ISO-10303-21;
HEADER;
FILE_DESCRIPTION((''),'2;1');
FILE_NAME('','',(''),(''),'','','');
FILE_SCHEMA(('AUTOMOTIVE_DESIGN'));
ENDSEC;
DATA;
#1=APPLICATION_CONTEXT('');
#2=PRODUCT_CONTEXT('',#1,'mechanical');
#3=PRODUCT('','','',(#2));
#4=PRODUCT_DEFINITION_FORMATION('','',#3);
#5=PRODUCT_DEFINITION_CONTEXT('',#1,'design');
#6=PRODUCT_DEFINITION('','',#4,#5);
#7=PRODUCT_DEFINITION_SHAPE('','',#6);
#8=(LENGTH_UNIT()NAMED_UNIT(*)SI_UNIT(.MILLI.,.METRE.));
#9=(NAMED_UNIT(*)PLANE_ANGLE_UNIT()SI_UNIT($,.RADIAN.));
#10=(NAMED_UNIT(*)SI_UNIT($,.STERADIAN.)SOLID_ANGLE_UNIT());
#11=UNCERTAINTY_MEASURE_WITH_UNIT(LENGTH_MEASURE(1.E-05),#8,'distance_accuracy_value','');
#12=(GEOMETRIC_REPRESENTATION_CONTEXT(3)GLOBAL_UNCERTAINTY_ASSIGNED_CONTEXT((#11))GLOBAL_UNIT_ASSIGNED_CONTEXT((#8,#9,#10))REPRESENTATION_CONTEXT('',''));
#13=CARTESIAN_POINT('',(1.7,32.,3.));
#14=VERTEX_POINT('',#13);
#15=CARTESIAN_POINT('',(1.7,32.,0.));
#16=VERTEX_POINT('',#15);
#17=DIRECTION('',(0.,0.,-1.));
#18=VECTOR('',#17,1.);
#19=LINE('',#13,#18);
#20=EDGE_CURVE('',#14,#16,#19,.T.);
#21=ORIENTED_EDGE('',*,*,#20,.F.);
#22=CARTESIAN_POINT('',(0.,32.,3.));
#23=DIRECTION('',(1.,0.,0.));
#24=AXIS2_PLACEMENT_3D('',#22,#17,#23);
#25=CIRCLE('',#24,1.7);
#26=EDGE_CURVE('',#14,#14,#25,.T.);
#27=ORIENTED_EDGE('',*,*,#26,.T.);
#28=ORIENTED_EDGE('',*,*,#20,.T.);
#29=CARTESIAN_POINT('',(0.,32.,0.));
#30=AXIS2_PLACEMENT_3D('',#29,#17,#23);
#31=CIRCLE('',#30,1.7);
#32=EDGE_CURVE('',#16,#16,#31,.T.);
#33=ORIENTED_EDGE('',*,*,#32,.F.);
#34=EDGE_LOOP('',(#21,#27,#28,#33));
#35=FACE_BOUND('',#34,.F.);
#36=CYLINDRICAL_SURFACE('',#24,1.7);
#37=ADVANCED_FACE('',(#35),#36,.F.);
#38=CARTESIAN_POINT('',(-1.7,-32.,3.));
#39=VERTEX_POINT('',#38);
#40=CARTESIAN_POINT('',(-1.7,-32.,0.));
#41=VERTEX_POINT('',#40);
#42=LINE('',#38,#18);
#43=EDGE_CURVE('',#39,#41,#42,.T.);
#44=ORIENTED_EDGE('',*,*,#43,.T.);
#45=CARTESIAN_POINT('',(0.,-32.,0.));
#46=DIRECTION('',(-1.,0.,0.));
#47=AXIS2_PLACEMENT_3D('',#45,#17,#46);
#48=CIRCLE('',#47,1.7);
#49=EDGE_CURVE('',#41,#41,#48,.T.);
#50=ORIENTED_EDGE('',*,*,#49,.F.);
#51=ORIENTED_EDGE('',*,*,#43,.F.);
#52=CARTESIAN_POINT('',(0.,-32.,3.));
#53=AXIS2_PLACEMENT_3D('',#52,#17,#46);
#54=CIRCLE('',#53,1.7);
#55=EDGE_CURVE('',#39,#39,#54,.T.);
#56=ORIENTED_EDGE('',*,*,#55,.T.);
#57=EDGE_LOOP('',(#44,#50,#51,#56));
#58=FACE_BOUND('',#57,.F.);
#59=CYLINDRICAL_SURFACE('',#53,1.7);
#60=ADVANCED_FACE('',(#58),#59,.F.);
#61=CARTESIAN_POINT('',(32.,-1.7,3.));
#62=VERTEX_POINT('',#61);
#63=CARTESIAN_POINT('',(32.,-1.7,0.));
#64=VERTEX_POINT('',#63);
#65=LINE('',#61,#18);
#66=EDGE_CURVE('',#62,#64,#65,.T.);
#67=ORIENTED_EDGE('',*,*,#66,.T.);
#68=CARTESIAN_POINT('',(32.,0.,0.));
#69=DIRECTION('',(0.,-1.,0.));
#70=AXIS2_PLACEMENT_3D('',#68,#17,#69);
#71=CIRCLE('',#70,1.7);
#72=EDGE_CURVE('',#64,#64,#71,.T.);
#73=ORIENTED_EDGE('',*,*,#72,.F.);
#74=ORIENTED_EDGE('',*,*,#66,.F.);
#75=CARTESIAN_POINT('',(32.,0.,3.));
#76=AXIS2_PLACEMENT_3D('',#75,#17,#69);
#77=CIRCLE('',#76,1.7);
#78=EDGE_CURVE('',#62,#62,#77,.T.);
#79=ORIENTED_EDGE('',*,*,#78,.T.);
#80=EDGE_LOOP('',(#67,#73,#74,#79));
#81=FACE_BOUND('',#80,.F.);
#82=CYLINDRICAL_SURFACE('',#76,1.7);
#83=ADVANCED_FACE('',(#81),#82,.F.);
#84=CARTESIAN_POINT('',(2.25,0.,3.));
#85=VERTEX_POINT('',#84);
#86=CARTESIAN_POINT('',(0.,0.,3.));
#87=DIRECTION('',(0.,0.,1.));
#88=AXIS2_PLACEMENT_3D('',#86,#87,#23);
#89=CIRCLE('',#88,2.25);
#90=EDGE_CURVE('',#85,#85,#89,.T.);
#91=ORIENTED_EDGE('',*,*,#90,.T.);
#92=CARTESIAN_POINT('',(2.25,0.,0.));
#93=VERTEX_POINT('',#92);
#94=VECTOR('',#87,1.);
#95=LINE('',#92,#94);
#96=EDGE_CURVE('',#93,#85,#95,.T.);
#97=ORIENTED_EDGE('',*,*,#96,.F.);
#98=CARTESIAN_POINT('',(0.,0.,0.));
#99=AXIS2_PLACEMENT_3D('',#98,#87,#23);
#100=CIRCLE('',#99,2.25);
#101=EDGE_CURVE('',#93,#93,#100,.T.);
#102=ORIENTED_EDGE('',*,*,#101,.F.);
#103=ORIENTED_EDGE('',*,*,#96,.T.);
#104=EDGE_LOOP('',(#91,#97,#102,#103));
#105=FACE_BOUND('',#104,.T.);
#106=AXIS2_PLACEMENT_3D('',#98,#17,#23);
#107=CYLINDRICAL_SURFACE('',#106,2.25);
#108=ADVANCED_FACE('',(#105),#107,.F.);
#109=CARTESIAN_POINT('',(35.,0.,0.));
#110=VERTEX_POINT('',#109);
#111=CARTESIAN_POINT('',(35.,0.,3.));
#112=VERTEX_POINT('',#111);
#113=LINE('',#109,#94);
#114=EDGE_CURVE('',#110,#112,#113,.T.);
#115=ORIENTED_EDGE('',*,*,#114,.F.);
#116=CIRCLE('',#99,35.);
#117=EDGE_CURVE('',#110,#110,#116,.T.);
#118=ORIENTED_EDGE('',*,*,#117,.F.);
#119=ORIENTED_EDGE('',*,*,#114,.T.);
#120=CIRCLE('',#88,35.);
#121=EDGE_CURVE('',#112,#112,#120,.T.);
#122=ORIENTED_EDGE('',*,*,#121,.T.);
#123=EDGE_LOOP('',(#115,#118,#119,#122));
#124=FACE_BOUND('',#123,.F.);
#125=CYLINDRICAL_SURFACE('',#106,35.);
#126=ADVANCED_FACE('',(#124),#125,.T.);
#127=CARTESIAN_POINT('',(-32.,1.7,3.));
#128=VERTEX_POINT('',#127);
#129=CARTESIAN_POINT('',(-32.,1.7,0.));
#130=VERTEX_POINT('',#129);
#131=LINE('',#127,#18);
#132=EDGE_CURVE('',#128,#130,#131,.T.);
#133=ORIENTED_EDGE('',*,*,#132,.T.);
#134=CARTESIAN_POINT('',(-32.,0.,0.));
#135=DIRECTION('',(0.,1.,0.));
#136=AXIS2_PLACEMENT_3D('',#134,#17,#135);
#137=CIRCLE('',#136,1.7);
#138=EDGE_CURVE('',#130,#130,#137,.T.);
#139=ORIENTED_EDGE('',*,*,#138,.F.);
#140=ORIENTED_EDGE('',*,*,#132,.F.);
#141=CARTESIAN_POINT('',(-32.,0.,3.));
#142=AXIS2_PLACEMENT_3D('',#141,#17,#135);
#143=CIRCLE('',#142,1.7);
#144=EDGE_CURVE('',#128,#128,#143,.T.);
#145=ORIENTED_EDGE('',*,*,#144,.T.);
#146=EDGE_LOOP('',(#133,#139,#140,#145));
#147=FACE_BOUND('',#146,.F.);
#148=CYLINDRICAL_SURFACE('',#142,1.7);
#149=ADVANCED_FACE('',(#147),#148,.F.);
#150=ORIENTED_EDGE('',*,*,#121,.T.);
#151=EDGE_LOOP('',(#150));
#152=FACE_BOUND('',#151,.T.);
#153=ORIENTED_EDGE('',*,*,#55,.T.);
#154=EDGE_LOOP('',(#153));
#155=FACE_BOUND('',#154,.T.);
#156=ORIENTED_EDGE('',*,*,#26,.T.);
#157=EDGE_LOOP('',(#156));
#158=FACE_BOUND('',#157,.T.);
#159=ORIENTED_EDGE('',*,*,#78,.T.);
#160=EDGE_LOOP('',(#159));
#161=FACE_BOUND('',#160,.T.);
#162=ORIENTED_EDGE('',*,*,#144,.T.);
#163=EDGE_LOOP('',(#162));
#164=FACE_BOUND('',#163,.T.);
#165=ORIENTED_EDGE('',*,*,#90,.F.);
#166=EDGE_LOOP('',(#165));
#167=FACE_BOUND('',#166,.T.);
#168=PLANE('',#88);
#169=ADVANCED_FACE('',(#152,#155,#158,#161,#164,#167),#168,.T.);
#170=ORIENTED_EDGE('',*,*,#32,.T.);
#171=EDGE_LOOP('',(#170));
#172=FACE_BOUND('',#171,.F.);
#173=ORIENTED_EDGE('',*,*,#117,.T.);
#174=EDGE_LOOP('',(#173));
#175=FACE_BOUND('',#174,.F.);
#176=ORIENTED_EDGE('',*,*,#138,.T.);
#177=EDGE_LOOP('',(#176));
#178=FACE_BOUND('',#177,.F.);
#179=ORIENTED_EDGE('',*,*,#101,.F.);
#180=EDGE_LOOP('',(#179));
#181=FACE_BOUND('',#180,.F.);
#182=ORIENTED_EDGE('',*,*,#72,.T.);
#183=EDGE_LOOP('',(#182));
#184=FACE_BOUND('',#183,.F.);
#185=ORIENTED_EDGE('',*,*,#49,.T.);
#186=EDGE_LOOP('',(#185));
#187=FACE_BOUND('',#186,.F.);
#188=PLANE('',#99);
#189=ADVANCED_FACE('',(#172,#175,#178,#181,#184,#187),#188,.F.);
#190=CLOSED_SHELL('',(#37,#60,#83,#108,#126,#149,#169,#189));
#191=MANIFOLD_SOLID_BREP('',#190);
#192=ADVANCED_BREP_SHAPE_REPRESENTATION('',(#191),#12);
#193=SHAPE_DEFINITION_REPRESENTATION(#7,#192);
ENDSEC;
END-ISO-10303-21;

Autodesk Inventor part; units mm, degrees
ref_plane "YZ Plane" through (0, 0, 0) normal (1, 0, 0) x (0, 1, 0)
ref_plane "XZ Plane" through (0, 0, 0) normal (0, 1, 0) x (-1, 0, 0)
ref_plane "XY Plane" through (0, 0, 0) normal (0, 0, 1) x (1, 0, 0)
sketch "Sketch1" plane through (0, 0, 0) normal (0, 0, 1) x (1, 0, 0)
  circle A0 centre (0, 0) radius 35
  circle A1 centre (0, 0) radius 2.25
  dimension "d0" = 70
  dimension "d1" = 4.5
extrude "Extrusion1" add sketch "Sketch1" along normal blind 3
sketch "Sketch2" plane through (0, 0, 3) normal (0, 0, 1) x (1, 0, 0)
  circle A0 centre (0, 0) radius 32 construction
  point P0 (32, 0)
  dimension "d4" = 64
hole "Hole1" at (32, 0, 3) direction (0, 0, -1) diameter 3.4 end through all
pattern_circular "Circular Pattern1" count 4 over 360 about axis through (0, 0, 0) along (0, 0, 1) of "Hole1"
properties part number "plasma-box-anode-flange" material "Copper"
